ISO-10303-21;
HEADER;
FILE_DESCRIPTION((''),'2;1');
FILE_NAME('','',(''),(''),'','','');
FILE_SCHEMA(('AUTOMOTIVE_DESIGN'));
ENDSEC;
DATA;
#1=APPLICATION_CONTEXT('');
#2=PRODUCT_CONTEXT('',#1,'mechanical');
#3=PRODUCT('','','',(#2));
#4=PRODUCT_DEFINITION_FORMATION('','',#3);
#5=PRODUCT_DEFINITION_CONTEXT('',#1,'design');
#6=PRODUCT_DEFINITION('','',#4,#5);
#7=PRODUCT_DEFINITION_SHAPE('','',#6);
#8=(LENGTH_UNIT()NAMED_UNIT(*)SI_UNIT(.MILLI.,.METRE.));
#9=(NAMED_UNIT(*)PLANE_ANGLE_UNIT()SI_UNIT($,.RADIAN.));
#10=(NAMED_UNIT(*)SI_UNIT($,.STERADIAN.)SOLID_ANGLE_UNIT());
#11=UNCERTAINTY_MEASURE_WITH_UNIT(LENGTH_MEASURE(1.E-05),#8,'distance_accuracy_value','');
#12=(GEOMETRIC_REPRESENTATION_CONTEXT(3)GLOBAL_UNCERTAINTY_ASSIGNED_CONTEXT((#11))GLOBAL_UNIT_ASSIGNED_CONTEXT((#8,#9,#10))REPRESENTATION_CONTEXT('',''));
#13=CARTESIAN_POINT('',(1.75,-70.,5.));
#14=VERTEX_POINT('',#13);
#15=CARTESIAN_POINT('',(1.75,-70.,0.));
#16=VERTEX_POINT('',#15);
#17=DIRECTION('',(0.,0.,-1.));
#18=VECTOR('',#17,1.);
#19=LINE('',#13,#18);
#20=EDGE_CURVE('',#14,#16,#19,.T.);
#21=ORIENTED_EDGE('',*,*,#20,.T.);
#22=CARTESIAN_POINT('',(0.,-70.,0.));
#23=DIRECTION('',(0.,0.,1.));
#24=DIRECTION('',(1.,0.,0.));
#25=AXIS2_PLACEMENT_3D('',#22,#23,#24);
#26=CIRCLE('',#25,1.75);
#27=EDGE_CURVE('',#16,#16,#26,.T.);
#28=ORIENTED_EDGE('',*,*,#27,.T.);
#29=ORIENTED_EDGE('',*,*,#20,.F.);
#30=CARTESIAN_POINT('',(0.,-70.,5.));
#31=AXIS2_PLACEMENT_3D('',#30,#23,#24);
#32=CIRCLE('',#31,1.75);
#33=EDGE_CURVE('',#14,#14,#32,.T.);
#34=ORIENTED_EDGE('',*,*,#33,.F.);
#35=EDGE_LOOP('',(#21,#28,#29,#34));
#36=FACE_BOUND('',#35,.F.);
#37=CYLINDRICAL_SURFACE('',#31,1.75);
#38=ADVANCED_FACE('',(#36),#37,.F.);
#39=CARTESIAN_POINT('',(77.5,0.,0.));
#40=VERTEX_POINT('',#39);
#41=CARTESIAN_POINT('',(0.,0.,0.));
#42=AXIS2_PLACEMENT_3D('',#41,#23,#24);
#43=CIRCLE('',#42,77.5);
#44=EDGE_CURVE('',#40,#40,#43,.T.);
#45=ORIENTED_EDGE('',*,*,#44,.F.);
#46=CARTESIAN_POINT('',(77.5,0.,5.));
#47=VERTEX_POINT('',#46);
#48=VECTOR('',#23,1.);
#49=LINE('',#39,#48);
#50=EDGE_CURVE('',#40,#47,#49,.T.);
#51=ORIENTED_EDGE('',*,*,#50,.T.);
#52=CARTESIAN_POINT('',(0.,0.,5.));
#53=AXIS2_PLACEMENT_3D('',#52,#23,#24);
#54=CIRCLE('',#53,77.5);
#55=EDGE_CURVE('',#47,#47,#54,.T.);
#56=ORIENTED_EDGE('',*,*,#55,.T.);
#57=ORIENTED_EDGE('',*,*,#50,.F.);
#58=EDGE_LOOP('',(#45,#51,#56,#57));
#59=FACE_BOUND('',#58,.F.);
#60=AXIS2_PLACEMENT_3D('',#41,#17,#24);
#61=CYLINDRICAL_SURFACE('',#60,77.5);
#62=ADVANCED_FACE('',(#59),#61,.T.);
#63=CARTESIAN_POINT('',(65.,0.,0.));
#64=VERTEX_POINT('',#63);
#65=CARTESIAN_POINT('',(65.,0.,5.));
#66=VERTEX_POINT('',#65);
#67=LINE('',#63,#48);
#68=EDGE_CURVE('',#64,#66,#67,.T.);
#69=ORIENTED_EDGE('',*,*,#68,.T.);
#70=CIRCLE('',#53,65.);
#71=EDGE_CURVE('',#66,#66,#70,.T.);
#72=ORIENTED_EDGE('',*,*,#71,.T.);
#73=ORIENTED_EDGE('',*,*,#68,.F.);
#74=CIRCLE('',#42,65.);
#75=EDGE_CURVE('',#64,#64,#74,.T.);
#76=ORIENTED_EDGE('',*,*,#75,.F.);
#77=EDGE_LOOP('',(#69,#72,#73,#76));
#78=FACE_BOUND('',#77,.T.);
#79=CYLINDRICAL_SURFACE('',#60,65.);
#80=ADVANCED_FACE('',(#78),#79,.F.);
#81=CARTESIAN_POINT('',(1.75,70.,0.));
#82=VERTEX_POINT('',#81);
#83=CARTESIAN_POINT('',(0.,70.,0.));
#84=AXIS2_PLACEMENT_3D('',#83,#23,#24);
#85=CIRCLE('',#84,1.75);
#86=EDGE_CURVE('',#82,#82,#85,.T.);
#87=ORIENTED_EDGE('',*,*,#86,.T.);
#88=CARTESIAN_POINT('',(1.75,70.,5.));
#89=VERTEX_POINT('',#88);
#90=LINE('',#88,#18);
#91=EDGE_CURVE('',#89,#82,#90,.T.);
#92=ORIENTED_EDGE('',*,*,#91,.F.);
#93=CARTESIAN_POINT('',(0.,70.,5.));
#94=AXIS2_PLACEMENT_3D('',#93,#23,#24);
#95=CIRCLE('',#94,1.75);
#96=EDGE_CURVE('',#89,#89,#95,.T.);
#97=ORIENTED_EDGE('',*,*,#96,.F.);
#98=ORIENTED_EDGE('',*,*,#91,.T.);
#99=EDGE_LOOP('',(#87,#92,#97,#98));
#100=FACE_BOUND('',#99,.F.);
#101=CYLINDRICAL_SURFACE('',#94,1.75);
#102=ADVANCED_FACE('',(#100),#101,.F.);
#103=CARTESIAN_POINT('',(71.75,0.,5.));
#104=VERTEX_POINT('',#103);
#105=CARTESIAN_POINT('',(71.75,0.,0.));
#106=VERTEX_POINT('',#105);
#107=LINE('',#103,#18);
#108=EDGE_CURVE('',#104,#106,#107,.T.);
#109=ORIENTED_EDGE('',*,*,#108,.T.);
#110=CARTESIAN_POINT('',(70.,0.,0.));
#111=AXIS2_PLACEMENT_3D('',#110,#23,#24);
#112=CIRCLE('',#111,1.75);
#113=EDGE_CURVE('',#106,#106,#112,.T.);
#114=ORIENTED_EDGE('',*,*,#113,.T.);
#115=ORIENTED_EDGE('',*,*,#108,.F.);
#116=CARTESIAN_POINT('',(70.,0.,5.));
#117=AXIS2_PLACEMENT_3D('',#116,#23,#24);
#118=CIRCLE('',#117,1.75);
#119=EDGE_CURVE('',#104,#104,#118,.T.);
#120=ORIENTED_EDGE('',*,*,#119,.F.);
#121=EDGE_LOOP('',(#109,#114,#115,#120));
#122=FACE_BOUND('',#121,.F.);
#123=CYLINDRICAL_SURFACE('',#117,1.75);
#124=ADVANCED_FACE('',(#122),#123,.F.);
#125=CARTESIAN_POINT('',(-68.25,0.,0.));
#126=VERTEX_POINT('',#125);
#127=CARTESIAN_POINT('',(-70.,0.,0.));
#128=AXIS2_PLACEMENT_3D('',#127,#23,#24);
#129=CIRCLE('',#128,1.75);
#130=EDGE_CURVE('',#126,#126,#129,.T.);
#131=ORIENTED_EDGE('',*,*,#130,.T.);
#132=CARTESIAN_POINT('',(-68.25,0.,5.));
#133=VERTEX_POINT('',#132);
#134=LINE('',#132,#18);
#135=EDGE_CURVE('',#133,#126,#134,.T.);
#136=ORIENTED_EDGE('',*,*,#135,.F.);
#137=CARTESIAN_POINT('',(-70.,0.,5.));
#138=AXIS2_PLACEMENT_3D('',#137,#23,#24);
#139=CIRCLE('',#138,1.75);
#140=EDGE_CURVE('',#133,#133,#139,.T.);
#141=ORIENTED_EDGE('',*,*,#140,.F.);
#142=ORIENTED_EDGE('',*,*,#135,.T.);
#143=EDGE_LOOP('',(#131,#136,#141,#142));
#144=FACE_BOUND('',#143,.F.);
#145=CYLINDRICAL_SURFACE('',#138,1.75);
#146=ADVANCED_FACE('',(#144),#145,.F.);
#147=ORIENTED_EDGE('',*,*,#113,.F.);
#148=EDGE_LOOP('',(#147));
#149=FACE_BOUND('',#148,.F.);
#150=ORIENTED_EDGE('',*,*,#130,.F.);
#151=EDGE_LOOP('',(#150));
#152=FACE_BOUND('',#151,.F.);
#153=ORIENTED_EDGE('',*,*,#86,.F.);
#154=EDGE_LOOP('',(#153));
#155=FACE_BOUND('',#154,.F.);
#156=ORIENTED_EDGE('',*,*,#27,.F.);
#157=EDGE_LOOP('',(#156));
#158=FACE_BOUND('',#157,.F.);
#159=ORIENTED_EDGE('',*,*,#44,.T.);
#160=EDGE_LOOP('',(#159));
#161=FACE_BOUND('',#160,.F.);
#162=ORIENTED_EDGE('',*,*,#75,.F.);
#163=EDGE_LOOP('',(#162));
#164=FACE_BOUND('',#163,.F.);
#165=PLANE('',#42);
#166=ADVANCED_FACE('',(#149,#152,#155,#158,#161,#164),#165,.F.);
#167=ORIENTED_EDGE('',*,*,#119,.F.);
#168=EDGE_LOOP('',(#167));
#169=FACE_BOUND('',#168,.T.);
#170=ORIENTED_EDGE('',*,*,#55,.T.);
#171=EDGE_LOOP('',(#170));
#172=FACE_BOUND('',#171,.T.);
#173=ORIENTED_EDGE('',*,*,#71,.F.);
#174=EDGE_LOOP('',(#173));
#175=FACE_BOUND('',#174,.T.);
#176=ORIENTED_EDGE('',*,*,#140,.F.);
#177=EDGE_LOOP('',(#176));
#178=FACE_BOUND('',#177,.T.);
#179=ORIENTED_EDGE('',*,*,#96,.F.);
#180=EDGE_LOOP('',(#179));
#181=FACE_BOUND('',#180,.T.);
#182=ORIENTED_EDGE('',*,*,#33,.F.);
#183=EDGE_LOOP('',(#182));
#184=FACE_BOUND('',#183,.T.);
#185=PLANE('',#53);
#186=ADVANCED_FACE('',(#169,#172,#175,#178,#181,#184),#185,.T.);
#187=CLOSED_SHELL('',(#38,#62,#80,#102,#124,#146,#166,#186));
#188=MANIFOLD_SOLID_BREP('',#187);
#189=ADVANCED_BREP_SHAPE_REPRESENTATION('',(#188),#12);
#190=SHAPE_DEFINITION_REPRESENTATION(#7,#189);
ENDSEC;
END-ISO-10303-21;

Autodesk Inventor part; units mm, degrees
ref_plane "YZ Plane" through (0, 0, 0) normal (1, 0, 0) x (0, 1, 0)
ref_plane "XZ Plane" through (0, 0, 0) normal (0, 1, 0) x (-1, 0, 0)
ref_plane "XY Plane" through (0, 0, 0) normal (0, 0, 1) x (1, 0, 0)
sketch "스케치1" plane through (0, 0, 0) normal (0, 0, 1) x (1, 0, 0)
  circle A0 centre (0, 0) radius 77.5
  circle A1 centre (0, 0) radius 65
  dimension "d0" = 155
  dimension "d1" = 130
extrude "돌출1" add sketch "스케치1" along normal blind 5
sketch "스케치2" plane through (0, 0, 5) normal (0, 0, 1) x (1, 0, 0)
  circle A0 centre (0, 70) radius 1.75
  circle A1 centre (-70, 0) radius 1.75
  circle A2 centre (0, -70) radius 1.75
  circle A3 centre (70, 0) radius 1.75
  point P0 (0, 0)
  dimension "d4" = 3.5
  dimension "d5" = 70
  dimension "d8" = 360
extrude "돌출2" cut sketch "스케치2" against normal blind 5
properties part number "아크릴 고정판"
